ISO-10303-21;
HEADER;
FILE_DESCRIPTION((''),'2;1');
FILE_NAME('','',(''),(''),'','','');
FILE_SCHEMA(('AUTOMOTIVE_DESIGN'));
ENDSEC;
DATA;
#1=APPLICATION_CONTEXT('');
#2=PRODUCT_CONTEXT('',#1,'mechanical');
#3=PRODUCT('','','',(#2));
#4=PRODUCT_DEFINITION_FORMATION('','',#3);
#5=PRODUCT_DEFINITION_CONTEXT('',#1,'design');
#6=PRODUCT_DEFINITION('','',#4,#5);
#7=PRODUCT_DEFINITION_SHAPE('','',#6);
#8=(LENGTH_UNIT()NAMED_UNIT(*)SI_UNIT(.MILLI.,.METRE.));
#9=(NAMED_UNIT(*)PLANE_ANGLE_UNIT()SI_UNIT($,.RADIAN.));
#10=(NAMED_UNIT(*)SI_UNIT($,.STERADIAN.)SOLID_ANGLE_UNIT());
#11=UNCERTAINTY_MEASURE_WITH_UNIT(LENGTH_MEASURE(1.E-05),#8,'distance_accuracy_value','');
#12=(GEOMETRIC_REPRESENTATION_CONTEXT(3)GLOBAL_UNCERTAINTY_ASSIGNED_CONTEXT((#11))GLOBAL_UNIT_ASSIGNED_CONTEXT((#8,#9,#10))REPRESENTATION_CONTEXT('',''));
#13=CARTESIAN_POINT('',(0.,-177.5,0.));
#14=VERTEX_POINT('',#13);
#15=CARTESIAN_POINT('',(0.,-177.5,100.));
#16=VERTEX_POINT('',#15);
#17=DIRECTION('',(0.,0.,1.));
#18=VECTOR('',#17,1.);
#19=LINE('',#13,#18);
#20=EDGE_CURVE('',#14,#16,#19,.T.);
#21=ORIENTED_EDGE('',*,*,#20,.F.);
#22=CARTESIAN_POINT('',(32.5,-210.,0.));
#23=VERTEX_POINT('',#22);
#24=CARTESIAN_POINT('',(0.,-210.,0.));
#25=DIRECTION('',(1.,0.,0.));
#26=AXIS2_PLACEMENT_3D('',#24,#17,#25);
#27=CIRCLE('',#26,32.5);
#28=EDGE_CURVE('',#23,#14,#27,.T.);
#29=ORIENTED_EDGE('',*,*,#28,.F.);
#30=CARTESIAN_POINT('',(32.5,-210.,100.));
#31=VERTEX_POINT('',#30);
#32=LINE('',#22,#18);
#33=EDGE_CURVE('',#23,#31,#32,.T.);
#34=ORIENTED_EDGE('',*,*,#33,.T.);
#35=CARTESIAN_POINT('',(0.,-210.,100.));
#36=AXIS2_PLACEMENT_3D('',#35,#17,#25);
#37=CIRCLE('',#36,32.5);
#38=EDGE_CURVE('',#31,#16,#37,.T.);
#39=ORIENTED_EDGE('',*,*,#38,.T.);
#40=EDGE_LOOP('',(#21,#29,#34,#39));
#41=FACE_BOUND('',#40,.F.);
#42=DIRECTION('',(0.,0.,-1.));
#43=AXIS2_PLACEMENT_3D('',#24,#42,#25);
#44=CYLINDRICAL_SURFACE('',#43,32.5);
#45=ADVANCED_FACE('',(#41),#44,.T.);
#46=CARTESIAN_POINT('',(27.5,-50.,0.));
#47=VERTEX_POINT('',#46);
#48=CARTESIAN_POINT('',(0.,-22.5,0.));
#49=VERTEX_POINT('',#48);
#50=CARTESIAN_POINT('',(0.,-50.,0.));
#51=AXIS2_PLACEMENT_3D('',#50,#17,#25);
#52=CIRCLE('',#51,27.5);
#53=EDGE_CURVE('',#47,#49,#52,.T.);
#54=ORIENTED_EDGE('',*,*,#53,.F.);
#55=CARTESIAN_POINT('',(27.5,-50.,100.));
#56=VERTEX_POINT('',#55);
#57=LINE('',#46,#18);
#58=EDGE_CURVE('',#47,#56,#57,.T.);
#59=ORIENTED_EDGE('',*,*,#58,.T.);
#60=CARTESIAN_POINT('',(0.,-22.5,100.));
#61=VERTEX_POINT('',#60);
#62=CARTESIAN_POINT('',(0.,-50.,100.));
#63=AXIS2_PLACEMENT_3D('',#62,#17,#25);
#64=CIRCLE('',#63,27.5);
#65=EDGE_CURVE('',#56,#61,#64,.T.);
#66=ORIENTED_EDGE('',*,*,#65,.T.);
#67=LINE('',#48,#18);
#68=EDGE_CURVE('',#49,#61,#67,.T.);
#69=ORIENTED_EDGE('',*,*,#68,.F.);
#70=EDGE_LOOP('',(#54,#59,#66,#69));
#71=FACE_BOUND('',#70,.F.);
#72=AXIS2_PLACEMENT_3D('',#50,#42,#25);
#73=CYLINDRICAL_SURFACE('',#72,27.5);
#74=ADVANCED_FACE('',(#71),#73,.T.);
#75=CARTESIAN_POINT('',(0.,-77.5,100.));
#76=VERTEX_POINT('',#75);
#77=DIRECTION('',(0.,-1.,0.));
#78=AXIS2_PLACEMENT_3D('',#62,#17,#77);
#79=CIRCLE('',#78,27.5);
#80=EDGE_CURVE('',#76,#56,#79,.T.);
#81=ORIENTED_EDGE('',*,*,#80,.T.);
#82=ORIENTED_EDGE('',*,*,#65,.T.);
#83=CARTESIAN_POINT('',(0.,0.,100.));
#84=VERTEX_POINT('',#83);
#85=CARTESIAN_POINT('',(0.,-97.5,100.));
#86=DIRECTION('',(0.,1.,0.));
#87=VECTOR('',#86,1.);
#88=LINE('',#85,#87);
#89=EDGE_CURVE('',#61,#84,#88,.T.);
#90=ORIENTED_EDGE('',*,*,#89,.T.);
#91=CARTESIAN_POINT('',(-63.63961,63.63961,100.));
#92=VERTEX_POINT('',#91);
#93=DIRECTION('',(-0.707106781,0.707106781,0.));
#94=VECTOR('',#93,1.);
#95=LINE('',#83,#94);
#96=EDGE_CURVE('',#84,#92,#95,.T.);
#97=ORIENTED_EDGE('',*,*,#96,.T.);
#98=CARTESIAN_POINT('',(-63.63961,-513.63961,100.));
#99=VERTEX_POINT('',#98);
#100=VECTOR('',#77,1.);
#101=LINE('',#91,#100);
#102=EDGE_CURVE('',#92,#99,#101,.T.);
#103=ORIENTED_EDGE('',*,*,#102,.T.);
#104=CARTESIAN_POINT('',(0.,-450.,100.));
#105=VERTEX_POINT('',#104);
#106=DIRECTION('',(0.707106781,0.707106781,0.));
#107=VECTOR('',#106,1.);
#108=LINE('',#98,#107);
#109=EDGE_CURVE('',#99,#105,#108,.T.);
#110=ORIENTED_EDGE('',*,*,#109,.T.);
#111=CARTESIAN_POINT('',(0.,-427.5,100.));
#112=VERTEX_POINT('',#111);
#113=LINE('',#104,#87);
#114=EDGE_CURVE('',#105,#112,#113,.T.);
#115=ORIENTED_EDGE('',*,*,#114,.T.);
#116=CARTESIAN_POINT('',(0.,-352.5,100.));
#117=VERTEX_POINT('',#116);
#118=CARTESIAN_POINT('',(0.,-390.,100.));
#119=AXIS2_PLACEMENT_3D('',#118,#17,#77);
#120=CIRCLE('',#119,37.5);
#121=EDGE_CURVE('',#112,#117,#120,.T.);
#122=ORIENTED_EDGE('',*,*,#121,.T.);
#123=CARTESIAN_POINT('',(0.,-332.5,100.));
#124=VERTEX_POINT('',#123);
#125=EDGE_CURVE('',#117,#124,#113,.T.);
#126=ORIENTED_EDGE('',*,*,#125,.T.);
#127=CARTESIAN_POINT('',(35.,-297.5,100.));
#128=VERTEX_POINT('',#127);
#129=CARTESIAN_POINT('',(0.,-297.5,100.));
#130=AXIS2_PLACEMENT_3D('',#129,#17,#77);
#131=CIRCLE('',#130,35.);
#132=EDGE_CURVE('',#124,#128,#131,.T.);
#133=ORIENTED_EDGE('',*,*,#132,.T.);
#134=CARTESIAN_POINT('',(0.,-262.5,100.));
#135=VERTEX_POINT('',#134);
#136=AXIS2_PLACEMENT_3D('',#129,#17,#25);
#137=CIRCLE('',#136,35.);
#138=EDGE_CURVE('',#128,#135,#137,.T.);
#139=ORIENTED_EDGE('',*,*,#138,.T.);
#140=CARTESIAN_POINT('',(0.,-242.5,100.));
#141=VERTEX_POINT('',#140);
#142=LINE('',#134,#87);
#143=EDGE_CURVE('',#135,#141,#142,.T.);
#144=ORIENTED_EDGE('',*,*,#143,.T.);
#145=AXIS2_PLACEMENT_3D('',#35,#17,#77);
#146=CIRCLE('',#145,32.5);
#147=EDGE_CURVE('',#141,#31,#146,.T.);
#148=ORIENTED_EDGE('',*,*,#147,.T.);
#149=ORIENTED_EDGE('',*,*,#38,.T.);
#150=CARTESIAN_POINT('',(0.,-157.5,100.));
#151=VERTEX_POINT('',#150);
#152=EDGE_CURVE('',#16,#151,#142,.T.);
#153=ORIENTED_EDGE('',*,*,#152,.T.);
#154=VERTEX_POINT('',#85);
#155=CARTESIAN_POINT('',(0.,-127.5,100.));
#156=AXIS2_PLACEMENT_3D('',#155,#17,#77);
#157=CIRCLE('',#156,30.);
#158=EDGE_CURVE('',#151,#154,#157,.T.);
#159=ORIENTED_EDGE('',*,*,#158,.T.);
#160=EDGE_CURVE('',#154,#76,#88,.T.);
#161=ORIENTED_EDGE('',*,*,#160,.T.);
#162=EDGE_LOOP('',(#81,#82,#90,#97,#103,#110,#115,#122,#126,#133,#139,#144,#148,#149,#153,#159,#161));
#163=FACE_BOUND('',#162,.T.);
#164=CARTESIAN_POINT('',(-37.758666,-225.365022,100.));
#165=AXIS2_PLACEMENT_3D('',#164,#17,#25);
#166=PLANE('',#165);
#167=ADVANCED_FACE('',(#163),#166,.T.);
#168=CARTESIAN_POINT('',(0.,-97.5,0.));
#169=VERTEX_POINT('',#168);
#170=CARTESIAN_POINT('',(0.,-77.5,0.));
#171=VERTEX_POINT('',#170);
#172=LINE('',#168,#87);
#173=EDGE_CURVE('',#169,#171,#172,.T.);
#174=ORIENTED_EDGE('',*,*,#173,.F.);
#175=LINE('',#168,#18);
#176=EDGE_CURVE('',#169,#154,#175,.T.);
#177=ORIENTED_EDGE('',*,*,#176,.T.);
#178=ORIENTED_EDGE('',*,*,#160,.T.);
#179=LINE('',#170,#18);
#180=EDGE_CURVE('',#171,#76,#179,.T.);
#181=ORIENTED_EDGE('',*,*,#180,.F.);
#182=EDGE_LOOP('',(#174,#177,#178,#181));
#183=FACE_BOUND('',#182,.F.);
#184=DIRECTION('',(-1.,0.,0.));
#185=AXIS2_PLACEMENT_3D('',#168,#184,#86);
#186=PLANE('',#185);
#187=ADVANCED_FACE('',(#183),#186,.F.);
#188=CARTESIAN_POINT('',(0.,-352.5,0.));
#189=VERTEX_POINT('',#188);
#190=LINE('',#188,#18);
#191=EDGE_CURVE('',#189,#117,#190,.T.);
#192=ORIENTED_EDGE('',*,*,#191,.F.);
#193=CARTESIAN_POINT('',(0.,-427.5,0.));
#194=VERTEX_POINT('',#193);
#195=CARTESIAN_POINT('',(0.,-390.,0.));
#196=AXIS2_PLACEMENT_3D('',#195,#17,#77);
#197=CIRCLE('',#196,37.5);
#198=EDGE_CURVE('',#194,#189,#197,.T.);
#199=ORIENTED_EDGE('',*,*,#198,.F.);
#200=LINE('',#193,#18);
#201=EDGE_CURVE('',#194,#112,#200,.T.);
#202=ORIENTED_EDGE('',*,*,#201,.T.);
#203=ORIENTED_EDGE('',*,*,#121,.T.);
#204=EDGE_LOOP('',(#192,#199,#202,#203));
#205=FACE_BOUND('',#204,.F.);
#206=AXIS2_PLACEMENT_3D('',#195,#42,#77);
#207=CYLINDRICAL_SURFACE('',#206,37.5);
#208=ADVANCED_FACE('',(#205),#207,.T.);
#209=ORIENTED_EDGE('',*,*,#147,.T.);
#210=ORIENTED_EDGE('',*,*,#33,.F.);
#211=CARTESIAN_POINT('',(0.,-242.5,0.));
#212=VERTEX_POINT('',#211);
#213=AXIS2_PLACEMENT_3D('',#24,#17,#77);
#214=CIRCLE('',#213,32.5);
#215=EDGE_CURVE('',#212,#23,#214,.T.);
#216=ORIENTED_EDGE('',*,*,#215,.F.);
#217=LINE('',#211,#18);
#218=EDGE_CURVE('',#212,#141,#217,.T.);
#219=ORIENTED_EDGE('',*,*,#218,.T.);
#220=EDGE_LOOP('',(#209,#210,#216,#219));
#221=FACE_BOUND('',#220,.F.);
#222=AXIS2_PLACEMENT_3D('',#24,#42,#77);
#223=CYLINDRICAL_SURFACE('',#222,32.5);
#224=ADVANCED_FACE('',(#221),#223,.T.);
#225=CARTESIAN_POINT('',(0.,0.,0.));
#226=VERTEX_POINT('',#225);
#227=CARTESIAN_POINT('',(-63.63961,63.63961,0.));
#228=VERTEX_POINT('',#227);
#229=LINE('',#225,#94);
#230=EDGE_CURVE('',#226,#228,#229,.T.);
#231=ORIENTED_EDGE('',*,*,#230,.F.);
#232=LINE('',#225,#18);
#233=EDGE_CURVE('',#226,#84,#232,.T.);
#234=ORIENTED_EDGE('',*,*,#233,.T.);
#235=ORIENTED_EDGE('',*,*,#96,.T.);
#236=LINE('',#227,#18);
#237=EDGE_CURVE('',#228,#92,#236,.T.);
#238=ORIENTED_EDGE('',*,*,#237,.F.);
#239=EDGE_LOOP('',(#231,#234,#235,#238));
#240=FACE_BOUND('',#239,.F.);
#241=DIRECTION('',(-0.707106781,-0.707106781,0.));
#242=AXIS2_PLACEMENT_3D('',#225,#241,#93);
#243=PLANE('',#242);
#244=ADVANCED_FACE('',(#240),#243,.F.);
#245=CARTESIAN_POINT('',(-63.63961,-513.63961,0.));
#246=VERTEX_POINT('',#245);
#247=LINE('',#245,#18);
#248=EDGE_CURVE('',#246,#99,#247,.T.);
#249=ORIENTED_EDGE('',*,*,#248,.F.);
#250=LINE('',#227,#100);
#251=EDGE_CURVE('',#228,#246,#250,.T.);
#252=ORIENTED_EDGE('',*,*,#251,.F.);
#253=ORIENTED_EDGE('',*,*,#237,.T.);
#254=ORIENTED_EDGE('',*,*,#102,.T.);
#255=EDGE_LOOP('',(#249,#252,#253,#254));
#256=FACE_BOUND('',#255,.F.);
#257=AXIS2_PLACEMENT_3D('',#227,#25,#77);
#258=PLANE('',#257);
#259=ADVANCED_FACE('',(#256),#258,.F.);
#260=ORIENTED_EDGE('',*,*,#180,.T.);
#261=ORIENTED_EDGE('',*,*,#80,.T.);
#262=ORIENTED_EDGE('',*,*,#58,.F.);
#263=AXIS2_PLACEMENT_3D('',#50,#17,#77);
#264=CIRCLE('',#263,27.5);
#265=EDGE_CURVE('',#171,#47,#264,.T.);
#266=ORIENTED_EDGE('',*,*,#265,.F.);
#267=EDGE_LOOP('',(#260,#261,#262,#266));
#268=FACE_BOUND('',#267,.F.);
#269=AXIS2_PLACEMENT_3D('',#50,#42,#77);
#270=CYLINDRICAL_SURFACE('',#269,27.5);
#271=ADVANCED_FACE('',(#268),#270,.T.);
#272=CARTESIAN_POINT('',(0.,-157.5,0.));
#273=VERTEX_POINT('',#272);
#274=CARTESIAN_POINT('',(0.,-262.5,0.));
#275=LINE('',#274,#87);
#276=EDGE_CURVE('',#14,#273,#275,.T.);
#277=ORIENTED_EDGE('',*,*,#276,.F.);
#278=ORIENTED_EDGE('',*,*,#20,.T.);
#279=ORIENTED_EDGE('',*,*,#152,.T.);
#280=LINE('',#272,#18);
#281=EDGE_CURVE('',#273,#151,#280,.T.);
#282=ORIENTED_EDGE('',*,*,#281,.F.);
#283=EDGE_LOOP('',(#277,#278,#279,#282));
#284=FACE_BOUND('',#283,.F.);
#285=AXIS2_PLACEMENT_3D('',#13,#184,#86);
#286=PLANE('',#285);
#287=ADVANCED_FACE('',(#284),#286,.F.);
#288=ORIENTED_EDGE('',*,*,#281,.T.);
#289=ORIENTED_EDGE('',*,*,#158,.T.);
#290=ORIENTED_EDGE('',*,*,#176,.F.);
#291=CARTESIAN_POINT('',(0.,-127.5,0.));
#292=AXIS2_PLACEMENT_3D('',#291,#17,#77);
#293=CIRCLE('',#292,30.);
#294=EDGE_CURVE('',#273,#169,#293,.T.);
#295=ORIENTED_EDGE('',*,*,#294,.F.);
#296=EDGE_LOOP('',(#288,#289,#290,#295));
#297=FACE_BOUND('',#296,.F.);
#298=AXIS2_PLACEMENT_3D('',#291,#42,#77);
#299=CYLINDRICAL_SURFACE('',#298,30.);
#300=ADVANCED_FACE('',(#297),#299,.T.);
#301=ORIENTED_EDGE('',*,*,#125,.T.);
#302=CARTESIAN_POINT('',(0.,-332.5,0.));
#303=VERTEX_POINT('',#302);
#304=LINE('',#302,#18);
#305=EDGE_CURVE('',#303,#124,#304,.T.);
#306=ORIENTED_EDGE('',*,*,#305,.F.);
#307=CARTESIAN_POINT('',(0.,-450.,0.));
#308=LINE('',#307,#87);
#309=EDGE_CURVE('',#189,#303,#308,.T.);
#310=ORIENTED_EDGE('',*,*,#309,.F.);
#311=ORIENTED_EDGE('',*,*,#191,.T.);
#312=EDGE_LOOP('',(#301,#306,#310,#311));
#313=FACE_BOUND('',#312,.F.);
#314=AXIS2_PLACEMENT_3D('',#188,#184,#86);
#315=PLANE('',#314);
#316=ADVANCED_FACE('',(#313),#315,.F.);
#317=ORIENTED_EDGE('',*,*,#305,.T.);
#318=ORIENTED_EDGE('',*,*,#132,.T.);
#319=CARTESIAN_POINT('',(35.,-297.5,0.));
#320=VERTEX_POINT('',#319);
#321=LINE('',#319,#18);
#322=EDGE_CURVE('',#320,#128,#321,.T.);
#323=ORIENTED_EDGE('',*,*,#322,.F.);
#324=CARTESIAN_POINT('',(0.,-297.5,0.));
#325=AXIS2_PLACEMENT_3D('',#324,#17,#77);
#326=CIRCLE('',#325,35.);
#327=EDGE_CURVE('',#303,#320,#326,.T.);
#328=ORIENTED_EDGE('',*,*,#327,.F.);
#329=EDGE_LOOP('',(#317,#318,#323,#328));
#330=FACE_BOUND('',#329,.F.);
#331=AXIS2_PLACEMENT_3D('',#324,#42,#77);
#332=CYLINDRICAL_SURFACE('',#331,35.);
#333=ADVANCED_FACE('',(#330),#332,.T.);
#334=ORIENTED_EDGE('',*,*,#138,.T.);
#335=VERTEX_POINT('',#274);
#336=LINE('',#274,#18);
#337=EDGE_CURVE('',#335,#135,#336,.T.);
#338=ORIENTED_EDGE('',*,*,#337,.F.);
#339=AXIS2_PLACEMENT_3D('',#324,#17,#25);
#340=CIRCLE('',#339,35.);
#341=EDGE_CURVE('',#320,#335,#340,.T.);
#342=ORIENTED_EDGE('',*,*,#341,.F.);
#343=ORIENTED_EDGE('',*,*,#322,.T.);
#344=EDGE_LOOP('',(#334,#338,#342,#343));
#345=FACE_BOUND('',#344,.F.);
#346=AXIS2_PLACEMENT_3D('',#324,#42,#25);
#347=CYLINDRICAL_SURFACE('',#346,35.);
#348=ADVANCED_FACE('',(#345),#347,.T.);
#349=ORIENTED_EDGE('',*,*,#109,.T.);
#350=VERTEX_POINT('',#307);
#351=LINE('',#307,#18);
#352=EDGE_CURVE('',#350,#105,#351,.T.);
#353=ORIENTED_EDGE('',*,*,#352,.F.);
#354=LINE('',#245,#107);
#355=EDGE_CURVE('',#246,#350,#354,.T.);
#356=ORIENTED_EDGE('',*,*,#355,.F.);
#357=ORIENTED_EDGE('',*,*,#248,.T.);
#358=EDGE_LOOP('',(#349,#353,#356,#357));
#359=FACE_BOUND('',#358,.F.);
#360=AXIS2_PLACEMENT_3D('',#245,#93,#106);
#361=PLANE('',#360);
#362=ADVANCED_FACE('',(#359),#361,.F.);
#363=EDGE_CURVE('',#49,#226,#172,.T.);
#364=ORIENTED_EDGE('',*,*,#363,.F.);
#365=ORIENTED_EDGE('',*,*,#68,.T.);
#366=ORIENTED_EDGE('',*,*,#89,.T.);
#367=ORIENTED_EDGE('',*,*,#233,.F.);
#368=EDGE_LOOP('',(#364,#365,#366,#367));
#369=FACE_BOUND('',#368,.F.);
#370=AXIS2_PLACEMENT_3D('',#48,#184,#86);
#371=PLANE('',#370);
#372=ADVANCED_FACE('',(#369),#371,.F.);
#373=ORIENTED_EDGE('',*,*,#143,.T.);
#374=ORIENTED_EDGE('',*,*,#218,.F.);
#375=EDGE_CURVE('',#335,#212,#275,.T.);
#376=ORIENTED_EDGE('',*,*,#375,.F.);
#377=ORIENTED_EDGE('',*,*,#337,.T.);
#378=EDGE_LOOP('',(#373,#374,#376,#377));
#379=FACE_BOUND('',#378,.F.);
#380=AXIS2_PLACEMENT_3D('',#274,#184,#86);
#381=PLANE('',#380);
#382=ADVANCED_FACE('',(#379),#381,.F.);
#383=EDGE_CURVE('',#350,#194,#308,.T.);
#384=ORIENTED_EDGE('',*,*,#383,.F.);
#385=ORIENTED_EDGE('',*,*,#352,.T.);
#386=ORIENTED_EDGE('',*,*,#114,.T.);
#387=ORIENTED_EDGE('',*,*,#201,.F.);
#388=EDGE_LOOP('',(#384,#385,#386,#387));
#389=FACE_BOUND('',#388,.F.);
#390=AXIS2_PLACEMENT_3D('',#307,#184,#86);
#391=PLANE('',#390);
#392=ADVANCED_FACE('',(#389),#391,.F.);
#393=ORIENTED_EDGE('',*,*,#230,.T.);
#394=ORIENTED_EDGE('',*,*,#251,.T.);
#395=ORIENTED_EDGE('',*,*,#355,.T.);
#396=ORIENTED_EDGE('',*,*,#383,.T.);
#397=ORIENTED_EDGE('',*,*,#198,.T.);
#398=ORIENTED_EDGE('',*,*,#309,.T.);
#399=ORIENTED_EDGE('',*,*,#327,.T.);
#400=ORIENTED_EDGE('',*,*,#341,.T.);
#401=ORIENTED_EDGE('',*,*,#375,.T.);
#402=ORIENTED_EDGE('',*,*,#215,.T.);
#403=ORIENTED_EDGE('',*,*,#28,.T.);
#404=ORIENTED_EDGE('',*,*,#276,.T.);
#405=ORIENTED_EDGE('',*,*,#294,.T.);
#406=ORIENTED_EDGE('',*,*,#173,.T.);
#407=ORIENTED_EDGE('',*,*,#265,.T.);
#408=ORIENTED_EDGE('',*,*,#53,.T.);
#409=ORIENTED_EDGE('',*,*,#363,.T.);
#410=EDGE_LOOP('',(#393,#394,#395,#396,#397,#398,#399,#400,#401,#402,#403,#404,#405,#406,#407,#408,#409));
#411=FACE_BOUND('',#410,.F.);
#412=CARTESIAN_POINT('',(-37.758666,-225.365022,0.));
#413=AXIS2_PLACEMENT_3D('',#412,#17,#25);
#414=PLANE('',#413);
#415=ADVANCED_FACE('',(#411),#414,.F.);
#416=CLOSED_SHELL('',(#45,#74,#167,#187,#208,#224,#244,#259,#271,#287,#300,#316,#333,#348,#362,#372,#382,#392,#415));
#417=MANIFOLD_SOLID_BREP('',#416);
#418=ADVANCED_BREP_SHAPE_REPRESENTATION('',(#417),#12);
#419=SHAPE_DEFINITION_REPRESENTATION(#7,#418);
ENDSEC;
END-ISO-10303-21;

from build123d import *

# Parameters (mm, degrees)
F1_DEPTH = 100


with BuildPart() as f1:
    # F0 (on Top) → F1 (new body)
    with BuildSketch(Plane.XY):
        with BuildLine():
            Line((0, 0), (-63.6396103068, 63.6396103068))
            Line((-63.6396103068, 63.6396103068), (-63.6396103068, -513.6396103068))
            Line((-63.6396103068, -513.6396103068), (0, -450))
            Line((0, -450), (0, -427.5))
            ThreePointArc((0, -427.5), (-37.5, -390), (0, -352.5))
            Line((0, -352.5), (0, -332.5))
            ThreePointArc((0, -332.5), (-35, -297.5), (0, -262.5))
            Line((0, -262.5), (0, -242.5))
            ThreePointArc((0, -242.5), (-32.5, -210), (0, -177.5))
            Line((0, -177.5), (0, -157.5))
            ThreePointArc((0, -157.5), (-30, -127.5), (0, -97.5))
            Line((0, -97.5), (0, -77.5))
            ThreePointArc((0, -77.5), (-27.5, -50), (0, -22.5))
            Line((0, -22.5), (0, 0))
        make_face()
        with BuildLine():
            Line((0, -77.5), (0, -22.5))
            ThreePointArc((0, -22.5), (-27.5, -50), (0, -77.5))
        make_face()
        with BuildLine():
            ThreePointArc((27.5, -50), (19.4454364826, -30.5545635174), (0, -22.5))
            Line((0, -22.5), (0, -77.5))
            ThreePointArc((0, -77.5), (19.4454364826, -69.4454364826), (27.5, -50))
        make_face()
        with BuildLine():
            ThreePointArc((30, -127.5), (21.2132034356, -106.2867965644), (0, -97.5))
            Line((0, -97.5), (0, -157.5))
            ThreePointArc((0, -157.5), (21.2132034356, -148.7132034356), (30, -127.5))
        make_face()
        with BuildLine():
            Line((0, -157.5), (0, -97.5))
            ThreePointArc((0, -97.5), (-30, -127.5), (0, -157.5))
        make_face()
        with BuildLine():
            Line((0, -242.5), (0, -177.5))
            ThreePointArc((0, -177.5), (-32.5, -210), (0, -242.5))
        make_face()
        with BuildLine():
            ThreePointArc((32.5, -210), (22.9809703886, -187.0190296114), (0, -177.5))
            Line((0, -177.5), (0, -242.5))
            ThreePointArc((0, -242.5), (22.9809703886, -232.9809703886), (32.5, -210))
        make_face()
        with BuildLine():
            Line((0, -262.5), (0, -332.5))
            ThreePointArc((0, -332.5), (24.7487373415, -322.2487373415), (35, -297.5))
            ThreePointArc((35, -297.5), (24.7487373415, -272.7512626585), (0, -262.5))
        make_face()
        with BuildLine():
            ThreePointArc((0, -262.5), (-35, -297.5), (0, -332.5))
            Line((0, -332.5), (0, -262.5))
        make_face()
        with BuildLine():
            ThreePointArc((0, -352.5), (-37.5, -390), (0, -427.5))
            Line((0, -427.5), (0, -352.5))
        make_face()
        with BuildLine():
            Line((0, -352.5), (0, -427.5))
            ThreePointArc((0, -427.5), (26.5165042945, -416.5165042945), (37.5, -390))
            ThreePointArc((37.5, -390), (26.5165042945, -363.4834957055), (0, -352.5))
        make_face()
    extrude(amount=F1_DEPTH)


solid = f1.part
